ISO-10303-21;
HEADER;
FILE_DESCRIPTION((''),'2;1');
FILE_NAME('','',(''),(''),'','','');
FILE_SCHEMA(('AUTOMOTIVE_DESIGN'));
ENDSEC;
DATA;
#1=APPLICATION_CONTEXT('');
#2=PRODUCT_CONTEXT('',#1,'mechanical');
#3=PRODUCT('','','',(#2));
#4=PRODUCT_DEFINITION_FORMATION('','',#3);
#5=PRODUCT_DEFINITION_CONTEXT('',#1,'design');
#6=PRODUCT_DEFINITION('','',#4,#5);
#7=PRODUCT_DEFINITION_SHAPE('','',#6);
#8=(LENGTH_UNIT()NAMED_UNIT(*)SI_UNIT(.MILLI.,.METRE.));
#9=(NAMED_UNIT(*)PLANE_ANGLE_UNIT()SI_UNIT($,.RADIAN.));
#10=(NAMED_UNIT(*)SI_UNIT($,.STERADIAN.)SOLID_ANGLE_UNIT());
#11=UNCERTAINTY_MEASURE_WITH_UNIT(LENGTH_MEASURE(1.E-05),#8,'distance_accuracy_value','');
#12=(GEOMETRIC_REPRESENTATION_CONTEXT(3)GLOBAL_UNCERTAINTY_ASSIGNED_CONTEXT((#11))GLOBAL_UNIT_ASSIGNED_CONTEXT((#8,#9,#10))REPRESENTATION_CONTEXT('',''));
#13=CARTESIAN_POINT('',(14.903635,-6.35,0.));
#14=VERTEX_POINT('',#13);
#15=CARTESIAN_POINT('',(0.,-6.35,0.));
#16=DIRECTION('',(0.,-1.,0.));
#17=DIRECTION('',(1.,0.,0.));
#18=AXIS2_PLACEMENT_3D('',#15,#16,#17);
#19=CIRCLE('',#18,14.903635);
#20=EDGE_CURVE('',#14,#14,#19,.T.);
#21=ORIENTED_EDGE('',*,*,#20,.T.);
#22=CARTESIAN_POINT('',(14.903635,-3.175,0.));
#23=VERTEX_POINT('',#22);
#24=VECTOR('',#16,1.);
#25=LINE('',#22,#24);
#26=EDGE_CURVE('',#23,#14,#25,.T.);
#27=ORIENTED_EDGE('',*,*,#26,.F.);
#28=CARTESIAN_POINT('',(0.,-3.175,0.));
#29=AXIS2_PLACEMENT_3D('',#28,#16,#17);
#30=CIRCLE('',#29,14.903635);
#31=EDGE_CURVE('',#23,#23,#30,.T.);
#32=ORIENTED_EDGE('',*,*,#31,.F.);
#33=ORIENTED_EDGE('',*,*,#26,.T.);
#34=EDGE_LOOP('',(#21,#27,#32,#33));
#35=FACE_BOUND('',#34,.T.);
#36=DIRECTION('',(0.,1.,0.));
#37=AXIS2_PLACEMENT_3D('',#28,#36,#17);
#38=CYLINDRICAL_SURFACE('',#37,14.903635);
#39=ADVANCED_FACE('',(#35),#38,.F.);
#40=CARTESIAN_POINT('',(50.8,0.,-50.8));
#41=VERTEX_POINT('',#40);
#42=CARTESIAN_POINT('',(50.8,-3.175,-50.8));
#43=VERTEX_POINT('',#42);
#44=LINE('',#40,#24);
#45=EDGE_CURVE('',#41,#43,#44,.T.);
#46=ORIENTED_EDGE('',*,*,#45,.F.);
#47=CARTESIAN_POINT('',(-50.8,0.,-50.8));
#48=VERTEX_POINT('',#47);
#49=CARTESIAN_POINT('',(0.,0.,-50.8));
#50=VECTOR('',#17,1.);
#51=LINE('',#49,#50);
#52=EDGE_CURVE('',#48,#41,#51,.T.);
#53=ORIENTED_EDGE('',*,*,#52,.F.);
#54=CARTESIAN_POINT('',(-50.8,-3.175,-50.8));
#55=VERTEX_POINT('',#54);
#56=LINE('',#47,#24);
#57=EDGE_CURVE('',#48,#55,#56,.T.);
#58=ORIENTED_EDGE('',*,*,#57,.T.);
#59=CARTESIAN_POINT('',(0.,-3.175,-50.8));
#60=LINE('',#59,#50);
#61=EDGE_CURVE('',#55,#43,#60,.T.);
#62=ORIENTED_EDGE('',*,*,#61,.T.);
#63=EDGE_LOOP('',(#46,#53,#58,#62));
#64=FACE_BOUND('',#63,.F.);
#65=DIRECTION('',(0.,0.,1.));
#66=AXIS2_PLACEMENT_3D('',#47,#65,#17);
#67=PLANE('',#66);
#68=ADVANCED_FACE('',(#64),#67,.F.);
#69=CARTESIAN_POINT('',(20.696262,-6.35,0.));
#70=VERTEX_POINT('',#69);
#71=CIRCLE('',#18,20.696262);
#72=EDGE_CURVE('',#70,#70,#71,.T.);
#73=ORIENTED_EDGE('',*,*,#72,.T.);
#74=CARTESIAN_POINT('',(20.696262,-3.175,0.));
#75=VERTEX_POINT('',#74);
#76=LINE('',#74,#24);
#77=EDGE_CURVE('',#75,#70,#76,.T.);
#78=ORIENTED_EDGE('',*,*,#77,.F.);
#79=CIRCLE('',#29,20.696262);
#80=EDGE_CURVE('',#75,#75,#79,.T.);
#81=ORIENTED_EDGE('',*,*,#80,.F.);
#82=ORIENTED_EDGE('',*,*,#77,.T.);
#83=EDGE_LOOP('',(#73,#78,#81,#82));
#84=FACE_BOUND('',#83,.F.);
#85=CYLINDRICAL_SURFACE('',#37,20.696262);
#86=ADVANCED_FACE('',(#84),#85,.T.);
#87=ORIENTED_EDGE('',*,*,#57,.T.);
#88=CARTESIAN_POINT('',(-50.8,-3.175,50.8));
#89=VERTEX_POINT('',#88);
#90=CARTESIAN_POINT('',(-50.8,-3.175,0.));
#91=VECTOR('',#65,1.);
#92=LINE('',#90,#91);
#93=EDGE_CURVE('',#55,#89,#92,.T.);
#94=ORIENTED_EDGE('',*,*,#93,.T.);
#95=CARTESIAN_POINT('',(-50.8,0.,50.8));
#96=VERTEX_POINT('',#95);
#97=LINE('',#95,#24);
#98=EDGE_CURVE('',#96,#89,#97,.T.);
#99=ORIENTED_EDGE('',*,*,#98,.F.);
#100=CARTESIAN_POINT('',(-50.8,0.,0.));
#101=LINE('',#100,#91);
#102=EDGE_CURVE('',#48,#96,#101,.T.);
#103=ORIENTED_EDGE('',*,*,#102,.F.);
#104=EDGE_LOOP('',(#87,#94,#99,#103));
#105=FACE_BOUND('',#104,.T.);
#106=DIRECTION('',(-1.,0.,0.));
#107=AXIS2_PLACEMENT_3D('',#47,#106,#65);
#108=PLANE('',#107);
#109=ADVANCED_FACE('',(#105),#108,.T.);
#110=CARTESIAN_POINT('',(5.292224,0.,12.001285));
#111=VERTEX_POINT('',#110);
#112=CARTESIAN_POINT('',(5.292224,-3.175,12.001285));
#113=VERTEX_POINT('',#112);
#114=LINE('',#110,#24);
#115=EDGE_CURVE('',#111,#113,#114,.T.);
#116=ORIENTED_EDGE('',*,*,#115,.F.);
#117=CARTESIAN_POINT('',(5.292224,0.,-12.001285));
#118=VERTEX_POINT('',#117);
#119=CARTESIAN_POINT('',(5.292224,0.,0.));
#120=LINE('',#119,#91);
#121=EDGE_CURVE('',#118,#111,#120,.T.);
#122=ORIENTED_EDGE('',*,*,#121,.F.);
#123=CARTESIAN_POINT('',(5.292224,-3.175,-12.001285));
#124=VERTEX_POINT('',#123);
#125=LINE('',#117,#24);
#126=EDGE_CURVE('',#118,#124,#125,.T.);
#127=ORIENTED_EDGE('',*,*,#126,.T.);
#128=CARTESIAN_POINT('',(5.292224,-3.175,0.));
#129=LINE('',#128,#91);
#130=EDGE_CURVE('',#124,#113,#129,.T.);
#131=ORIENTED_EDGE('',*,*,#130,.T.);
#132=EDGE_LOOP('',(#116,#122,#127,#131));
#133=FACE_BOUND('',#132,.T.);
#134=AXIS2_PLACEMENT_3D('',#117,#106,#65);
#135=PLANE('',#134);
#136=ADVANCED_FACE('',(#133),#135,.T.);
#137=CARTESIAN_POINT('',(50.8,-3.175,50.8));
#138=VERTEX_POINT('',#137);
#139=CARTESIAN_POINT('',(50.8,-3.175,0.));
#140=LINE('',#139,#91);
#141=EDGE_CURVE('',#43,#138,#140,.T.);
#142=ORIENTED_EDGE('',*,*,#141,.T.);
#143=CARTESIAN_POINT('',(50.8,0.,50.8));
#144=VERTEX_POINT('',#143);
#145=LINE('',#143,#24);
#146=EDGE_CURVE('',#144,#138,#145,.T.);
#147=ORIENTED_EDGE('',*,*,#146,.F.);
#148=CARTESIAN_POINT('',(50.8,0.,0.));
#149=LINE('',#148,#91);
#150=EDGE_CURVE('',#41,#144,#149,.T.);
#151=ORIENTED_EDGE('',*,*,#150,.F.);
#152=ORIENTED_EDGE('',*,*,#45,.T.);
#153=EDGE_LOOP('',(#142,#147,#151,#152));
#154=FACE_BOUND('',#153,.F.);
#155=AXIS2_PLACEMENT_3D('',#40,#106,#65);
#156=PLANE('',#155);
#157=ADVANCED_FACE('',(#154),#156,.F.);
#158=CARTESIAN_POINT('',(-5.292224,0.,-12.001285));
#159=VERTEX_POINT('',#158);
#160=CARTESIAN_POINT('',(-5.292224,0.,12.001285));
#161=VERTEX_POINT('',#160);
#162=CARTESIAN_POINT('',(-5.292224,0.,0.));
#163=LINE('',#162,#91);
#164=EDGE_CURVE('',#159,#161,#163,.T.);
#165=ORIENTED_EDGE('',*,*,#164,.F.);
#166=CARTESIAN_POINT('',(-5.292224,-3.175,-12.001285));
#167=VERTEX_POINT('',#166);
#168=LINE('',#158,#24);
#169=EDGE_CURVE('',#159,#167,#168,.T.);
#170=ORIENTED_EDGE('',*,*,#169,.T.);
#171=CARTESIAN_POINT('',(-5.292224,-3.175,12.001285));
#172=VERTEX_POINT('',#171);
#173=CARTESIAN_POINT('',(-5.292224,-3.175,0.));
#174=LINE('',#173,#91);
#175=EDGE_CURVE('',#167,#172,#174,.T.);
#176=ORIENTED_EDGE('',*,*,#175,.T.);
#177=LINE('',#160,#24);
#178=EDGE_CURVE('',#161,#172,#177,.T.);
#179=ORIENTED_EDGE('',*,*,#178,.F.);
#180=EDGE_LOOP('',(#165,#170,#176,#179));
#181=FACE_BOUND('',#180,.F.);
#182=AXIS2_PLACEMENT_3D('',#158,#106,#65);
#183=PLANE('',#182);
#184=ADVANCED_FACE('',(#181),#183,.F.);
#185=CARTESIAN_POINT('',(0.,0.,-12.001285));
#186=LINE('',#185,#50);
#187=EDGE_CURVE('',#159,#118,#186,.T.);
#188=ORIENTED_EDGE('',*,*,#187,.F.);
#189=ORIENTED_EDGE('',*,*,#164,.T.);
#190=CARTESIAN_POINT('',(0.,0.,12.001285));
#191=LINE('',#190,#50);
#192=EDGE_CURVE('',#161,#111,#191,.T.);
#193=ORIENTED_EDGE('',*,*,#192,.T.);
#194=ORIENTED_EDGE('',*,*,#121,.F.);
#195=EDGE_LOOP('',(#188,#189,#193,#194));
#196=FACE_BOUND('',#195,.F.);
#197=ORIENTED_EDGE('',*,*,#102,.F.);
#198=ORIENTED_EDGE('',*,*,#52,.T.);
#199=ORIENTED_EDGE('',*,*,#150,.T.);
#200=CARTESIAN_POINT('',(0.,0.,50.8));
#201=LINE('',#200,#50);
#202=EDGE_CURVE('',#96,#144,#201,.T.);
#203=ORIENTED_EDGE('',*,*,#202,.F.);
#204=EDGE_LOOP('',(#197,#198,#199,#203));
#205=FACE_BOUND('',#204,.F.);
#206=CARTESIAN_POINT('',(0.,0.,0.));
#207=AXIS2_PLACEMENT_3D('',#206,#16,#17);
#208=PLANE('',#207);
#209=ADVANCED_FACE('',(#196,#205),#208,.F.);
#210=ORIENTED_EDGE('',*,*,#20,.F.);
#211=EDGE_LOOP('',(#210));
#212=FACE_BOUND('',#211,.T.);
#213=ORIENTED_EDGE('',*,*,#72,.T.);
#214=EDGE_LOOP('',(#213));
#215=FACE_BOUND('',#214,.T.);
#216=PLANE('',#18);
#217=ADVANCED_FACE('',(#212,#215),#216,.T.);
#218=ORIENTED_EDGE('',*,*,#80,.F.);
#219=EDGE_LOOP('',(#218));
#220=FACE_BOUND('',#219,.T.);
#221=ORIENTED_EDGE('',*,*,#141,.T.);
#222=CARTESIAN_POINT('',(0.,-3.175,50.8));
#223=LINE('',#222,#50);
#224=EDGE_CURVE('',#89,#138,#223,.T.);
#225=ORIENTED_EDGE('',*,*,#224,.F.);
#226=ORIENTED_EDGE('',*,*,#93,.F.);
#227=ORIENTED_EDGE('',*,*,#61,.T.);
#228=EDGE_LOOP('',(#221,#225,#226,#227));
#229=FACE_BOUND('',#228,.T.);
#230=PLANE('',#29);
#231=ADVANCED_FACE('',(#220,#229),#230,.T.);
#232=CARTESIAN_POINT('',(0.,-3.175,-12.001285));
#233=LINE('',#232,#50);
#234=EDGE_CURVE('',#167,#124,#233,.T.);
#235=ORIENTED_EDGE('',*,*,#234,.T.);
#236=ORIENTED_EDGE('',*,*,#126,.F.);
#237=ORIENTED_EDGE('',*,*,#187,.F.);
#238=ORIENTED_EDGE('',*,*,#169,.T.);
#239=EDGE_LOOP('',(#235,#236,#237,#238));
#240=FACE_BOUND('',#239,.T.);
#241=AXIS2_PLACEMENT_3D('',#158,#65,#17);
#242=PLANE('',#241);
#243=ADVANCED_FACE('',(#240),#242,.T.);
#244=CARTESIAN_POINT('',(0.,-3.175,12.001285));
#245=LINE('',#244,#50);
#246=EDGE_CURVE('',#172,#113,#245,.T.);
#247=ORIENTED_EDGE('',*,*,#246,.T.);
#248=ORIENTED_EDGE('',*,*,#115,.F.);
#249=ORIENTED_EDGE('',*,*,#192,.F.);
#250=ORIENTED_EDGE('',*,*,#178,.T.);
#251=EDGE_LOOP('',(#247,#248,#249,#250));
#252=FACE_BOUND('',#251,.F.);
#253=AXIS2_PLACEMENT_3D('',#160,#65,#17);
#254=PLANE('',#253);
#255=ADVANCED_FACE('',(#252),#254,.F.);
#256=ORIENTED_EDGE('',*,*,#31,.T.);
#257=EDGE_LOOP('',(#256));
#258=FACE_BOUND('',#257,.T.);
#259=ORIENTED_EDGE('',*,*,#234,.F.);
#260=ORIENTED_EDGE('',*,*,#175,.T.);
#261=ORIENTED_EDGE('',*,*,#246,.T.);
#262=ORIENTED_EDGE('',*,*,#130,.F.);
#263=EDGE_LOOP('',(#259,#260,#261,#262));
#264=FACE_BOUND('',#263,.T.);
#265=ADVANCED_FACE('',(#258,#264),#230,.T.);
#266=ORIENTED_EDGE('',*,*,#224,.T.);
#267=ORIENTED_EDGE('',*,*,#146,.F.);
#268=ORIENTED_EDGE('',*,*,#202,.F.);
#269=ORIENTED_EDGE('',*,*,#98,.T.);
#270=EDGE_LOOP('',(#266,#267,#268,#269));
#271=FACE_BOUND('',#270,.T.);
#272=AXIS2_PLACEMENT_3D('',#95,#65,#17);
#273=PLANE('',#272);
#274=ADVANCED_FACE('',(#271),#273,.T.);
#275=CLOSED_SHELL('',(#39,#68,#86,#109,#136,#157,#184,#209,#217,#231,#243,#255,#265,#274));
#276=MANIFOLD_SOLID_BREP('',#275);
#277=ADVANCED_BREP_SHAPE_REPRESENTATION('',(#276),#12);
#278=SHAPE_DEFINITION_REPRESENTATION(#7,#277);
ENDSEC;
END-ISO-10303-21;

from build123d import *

# Parameters (mm, degrees)
F0_W     = 101.6
F0_H     = 101.6
F0_W_2   = 10.584448
F0_H_2   = 24.00257
F1_DEPTH = 3.175
F2_R     = 20.696262
F2_R_2   = 14.903635
F3_DEPTH = 3.175


with BuildPart() as f1:
    # F0 (on Front) → F1 (new body)
    with BuildSketch(Plane.XZ):
        Rectangle(F0_W, F0_H)
        Rectangle(F0_W_2, F0_H_2, mode=Mode.SUBTRACT)
    extrude(amount=F1_DEPTH)

    # F2 (on face) → F3 (join)
    with BuildSketch(Plane.XZ.offset(3.175)):
        Circle(F2_R)
        Circle(F2_R_2, mode=Mode.SUBTRACT)
    extrude(amount=F3_DEPTH)


solid = f1.part
